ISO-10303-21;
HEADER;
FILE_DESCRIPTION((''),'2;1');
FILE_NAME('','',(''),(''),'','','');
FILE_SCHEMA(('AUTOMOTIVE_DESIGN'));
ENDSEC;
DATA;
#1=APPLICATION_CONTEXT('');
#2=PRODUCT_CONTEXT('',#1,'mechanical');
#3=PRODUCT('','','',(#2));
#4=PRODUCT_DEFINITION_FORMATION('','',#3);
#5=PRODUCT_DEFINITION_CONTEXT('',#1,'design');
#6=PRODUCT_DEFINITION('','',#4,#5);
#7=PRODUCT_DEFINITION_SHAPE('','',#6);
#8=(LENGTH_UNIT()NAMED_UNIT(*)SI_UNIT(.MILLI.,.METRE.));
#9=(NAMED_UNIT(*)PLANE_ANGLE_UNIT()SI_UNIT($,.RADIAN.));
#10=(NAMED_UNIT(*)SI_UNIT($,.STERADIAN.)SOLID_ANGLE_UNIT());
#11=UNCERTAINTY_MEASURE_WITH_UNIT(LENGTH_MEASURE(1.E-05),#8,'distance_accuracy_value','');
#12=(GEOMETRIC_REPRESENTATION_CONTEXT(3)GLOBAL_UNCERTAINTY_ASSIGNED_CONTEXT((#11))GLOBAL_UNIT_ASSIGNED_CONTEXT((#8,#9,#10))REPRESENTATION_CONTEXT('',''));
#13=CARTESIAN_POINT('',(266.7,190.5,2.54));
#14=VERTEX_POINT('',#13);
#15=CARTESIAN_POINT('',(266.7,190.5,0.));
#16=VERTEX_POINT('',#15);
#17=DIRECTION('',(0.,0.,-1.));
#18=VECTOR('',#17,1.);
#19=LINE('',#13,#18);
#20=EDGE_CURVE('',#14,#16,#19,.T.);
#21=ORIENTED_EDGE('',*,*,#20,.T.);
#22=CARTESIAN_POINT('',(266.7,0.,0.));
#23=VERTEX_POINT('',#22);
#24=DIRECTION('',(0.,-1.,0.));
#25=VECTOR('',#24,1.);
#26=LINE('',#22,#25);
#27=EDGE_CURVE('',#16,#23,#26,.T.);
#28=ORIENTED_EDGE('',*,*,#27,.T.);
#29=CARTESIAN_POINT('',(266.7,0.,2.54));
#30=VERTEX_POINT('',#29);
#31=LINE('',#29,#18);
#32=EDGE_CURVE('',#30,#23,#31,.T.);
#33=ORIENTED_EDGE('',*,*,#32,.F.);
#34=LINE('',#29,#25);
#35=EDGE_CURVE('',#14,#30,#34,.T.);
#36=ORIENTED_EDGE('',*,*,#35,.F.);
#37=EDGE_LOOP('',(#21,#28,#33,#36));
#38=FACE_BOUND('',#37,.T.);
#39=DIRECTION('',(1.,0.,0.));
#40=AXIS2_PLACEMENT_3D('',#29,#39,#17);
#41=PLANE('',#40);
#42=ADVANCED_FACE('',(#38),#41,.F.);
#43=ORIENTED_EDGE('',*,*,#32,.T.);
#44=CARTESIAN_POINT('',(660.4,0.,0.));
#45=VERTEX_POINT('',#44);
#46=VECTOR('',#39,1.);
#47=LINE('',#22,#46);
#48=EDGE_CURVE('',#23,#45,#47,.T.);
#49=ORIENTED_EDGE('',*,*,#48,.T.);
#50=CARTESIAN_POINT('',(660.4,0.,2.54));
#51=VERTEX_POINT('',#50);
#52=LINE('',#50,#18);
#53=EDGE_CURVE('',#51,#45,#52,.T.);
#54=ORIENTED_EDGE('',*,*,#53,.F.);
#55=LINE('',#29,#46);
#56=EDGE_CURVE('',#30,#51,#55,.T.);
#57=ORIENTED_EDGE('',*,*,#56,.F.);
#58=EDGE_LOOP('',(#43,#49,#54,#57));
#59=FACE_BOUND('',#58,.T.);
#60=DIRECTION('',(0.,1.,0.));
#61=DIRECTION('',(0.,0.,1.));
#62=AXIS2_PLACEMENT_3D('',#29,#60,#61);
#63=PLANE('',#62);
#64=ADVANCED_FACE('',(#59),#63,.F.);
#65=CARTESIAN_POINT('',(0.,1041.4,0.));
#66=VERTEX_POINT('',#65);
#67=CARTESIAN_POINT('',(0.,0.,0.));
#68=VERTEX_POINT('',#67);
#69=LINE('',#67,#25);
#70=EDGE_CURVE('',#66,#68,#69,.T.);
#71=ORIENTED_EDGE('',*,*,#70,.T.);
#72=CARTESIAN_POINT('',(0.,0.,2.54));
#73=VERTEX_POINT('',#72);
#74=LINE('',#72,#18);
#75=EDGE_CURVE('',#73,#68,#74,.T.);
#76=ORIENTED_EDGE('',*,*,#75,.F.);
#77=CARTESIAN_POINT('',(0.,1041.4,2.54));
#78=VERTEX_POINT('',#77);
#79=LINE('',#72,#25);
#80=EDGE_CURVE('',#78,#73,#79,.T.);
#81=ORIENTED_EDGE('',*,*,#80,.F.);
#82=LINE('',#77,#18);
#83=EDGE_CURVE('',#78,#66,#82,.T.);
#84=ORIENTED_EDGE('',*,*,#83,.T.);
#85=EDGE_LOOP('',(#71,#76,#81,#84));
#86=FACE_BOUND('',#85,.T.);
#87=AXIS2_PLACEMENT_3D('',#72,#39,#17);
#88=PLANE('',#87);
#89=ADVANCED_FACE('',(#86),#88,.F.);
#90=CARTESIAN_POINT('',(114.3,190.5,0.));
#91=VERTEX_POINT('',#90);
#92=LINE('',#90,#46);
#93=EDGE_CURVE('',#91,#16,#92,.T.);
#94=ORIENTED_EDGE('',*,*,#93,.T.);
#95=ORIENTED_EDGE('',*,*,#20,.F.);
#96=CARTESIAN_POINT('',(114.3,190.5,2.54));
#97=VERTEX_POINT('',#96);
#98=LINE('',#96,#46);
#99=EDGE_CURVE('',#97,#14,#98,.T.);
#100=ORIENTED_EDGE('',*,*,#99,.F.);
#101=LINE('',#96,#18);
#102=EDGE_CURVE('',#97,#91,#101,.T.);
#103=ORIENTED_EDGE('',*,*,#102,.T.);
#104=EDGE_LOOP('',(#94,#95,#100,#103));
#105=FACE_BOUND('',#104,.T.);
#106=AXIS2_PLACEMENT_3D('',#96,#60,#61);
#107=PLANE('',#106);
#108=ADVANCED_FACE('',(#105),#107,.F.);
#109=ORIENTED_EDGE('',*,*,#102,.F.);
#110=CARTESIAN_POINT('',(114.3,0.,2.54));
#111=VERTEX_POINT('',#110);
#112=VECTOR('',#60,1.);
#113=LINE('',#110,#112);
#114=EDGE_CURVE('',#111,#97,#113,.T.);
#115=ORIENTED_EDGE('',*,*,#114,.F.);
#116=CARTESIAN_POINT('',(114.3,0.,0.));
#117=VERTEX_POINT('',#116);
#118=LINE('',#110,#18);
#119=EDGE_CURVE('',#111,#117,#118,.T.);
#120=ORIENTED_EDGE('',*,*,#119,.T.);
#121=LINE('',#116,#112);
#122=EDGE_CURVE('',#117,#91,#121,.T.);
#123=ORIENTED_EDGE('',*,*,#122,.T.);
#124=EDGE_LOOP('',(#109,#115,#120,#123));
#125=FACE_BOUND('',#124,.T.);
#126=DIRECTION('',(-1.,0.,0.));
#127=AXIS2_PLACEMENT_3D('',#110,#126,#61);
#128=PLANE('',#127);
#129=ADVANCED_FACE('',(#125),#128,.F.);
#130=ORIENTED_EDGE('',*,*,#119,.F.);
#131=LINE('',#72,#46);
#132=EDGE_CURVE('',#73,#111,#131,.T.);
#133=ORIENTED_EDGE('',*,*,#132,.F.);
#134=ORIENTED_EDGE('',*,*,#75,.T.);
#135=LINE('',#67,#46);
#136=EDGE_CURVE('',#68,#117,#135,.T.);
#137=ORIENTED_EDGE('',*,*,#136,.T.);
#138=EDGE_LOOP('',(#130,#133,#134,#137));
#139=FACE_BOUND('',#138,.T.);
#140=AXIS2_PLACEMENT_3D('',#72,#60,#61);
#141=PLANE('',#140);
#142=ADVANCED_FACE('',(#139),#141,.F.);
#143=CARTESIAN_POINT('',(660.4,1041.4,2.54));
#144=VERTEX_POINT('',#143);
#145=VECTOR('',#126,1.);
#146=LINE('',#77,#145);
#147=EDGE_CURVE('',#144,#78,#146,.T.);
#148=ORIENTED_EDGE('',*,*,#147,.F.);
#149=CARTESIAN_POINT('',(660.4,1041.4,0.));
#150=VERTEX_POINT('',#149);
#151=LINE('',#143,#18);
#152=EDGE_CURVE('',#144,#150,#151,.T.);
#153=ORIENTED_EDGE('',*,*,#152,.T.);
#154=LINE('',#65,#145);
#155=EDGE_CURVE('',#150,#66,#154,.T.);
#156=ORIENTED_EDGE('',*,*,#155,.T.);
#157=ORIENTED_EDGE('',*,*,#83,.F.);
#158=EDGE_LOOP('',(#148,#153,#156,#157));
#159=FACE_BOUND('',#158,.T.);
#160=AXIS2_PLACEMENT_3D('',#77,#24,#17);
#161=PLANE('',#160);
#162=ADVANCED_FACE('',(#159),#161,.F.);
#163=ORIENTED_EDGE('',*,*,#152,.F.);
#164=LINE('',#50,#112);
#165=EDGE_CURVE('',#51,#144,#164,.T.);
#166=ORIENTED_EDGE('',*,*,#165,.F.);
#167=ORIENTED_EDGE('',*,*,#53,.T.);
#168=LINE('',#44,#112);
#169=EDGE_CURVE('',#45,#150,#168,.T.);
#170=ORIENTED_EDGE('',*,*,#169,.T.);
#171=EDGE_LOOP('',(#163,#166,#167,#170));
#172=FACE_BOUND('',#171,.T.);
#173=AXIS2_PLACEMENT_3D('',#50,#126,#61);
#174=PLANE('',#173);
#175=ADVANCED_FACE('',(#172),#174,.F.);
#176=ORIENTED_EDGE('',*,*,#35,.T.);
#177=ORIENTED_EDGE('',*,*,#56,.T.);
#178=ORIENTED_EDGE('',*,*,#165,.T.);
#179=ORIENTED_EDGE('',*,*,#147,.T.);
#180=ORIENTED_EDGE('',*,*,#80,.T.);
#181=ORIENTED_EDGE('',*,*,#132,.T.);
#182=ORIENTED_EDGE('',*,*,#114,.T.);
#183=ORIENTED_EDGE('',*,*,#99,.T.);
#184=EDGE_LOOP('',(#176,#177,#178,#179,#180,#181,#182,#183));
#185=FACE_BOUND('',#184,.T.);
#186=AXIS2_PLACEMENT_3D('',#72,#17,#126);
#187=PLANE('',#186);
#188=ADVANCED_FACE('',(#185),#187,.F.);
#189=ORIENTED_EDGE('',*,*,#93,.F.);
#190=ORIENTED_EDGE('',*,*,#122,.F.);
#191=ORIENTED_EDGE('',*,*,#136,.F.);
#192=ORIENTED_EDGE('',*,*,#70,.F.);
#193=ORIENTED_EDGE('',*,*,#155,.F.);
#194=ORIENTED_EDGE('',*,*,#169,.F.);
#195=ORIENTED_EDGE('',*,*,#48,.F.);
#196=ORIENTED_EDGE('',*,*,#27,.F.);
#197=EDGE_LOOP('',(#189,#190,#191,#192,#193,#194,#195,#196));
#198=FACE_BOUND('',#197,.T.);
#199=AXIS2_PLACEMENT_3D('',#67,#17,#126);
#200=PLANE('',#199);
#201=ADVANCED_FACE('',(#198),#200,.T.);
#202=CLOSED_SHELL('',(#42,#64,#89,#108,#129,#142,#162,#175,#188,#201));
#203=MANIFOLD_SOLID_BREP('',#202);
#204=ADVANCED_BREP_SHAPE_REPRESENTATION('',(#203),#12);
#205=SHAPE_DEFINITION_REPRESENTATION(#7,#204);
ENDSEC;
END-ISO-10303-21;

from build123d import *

# Parameters (mm, degrees)
BOSS_EXTRUDE1_DEPTH = 2.54


with BuildPart() as part:
    # Sketch1 → Boss-Extrude1 (new body)
    with BuildSketch(Plane.XY):
        Polygon((266.7, 0), (660.4, 0), (660.4, 1041.4), (0, 1041.4), (0, 0), (114.3, 0), (114.3, 190.5), (266.7, 190.5), align=None)
    extrude(amount=BOSS_EXTRUDE1_DEPTH)


solid = part.part
